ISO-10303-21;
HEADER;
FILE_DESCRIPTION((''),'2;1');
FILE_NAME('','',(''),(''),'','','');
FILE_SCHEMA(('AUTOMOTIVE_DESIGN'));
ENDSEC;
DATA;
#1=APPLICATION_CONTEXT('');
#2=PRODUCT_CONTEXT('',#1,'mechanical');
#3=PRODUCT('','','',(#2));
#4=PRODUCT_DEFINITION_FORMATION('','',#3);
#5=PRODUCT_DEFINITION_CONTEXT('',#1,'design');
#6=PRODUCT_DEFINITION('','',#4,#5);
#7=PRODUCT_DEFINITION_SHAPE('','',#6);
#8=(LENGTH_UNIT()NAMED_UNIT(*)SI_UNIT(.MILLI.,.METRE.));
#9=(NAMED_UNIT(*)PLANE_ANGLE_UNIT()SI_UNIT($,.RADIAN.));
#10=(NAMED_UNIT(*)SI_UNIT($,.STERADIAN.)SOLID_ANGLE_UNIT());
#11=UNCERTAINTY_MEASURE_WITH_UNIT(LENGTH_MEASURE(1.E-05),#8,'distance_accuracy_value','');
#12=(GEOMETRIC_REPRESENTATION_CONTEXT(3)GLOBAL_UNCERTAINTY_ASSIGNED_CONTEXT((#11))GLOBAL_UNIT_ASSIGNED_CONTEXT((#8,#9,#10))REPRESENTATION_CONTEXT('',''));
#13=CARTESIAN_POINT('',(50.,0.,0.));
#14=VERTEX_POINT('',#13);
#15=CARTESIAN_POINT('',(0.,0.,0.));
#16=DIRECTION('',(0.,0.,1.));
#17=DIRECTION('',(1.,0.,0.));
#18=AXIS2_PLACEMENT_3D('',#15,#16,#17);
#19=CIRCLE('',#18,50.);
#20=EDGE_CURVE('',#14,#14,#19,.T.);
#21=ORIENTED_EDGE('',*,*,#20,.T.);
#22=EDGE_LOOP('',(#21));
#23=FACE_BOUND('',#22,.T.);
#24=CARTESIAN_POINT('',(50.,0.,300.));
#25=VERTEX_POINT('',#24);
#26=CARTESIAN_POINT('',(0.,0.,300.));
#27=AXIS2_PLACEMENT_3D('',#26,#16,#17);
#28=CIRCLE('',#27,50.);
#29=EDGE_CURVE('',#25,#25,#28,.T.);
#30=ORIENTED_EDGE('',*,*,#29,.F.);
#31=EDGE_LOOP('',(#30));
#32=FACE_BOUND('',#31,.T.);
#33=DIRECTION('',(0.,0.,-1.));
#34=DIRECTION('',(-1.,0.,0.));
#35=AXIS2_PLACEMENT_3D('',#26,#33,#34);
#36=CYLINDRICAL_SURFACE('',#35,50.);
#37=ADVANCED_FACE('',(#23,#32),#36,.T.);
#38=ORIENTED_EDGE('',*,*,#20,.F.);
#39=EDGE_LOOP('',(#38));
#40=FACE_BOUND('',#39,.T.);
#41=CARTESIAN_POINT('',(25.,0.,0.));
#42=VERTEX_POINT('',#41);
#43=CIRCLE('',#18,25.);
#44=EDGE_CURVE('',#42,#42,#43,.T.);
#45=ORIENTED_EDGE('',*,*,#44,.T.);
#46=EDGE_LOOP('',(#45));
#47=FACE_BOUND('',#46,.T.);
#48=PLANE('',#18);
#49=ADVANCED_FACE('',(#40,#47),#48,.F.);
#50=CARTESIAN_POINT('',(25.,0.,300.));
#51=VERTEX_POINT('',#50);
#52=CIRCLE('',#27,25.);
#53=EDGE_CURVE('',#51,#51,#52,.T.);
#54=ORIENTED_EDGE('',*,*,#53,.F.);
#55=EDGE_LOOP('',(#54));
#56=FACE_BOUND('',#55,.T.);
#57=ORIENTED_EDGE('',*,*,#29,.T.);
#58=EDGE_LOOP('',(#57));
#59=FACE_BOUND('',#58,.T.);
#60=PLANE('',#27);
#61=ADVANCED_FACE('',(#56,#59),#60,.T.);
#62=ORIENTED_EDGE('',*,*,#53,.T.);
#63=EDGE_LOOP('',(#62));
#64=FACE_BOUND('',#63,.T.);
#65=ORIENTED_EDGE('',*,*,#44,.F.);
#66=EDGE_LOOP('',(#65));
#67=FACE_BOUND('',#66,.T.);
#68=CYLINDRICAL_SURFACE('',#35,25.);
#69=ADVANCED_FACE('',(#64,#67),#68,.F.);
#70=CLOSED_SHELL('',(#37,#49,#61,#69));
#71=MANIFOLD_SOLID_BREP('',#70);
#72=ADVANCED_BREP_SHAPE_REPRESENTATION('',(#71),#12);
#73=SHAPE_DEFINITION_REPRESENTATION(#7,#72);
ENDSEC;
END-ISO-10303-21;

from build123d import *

# Parameters (mm, degrees)
SKETCH1_R           = 50
SKETCH1_R_2         = 25
BOSS_EXTRUDE1_DEPTH = 300


with BuildPart() as part:
    # Sketch1 → Boss-Extrude1 (new body)
    with BuildSketch(Plane.XY):
        Circle(SKETCH1_R)
        Circle(SKETCH1_R_2, mode=Mode.SUBTRACT)
    extrude(amount=BOSS_EXTRUDE1_DEPTH)


solid = part.part
